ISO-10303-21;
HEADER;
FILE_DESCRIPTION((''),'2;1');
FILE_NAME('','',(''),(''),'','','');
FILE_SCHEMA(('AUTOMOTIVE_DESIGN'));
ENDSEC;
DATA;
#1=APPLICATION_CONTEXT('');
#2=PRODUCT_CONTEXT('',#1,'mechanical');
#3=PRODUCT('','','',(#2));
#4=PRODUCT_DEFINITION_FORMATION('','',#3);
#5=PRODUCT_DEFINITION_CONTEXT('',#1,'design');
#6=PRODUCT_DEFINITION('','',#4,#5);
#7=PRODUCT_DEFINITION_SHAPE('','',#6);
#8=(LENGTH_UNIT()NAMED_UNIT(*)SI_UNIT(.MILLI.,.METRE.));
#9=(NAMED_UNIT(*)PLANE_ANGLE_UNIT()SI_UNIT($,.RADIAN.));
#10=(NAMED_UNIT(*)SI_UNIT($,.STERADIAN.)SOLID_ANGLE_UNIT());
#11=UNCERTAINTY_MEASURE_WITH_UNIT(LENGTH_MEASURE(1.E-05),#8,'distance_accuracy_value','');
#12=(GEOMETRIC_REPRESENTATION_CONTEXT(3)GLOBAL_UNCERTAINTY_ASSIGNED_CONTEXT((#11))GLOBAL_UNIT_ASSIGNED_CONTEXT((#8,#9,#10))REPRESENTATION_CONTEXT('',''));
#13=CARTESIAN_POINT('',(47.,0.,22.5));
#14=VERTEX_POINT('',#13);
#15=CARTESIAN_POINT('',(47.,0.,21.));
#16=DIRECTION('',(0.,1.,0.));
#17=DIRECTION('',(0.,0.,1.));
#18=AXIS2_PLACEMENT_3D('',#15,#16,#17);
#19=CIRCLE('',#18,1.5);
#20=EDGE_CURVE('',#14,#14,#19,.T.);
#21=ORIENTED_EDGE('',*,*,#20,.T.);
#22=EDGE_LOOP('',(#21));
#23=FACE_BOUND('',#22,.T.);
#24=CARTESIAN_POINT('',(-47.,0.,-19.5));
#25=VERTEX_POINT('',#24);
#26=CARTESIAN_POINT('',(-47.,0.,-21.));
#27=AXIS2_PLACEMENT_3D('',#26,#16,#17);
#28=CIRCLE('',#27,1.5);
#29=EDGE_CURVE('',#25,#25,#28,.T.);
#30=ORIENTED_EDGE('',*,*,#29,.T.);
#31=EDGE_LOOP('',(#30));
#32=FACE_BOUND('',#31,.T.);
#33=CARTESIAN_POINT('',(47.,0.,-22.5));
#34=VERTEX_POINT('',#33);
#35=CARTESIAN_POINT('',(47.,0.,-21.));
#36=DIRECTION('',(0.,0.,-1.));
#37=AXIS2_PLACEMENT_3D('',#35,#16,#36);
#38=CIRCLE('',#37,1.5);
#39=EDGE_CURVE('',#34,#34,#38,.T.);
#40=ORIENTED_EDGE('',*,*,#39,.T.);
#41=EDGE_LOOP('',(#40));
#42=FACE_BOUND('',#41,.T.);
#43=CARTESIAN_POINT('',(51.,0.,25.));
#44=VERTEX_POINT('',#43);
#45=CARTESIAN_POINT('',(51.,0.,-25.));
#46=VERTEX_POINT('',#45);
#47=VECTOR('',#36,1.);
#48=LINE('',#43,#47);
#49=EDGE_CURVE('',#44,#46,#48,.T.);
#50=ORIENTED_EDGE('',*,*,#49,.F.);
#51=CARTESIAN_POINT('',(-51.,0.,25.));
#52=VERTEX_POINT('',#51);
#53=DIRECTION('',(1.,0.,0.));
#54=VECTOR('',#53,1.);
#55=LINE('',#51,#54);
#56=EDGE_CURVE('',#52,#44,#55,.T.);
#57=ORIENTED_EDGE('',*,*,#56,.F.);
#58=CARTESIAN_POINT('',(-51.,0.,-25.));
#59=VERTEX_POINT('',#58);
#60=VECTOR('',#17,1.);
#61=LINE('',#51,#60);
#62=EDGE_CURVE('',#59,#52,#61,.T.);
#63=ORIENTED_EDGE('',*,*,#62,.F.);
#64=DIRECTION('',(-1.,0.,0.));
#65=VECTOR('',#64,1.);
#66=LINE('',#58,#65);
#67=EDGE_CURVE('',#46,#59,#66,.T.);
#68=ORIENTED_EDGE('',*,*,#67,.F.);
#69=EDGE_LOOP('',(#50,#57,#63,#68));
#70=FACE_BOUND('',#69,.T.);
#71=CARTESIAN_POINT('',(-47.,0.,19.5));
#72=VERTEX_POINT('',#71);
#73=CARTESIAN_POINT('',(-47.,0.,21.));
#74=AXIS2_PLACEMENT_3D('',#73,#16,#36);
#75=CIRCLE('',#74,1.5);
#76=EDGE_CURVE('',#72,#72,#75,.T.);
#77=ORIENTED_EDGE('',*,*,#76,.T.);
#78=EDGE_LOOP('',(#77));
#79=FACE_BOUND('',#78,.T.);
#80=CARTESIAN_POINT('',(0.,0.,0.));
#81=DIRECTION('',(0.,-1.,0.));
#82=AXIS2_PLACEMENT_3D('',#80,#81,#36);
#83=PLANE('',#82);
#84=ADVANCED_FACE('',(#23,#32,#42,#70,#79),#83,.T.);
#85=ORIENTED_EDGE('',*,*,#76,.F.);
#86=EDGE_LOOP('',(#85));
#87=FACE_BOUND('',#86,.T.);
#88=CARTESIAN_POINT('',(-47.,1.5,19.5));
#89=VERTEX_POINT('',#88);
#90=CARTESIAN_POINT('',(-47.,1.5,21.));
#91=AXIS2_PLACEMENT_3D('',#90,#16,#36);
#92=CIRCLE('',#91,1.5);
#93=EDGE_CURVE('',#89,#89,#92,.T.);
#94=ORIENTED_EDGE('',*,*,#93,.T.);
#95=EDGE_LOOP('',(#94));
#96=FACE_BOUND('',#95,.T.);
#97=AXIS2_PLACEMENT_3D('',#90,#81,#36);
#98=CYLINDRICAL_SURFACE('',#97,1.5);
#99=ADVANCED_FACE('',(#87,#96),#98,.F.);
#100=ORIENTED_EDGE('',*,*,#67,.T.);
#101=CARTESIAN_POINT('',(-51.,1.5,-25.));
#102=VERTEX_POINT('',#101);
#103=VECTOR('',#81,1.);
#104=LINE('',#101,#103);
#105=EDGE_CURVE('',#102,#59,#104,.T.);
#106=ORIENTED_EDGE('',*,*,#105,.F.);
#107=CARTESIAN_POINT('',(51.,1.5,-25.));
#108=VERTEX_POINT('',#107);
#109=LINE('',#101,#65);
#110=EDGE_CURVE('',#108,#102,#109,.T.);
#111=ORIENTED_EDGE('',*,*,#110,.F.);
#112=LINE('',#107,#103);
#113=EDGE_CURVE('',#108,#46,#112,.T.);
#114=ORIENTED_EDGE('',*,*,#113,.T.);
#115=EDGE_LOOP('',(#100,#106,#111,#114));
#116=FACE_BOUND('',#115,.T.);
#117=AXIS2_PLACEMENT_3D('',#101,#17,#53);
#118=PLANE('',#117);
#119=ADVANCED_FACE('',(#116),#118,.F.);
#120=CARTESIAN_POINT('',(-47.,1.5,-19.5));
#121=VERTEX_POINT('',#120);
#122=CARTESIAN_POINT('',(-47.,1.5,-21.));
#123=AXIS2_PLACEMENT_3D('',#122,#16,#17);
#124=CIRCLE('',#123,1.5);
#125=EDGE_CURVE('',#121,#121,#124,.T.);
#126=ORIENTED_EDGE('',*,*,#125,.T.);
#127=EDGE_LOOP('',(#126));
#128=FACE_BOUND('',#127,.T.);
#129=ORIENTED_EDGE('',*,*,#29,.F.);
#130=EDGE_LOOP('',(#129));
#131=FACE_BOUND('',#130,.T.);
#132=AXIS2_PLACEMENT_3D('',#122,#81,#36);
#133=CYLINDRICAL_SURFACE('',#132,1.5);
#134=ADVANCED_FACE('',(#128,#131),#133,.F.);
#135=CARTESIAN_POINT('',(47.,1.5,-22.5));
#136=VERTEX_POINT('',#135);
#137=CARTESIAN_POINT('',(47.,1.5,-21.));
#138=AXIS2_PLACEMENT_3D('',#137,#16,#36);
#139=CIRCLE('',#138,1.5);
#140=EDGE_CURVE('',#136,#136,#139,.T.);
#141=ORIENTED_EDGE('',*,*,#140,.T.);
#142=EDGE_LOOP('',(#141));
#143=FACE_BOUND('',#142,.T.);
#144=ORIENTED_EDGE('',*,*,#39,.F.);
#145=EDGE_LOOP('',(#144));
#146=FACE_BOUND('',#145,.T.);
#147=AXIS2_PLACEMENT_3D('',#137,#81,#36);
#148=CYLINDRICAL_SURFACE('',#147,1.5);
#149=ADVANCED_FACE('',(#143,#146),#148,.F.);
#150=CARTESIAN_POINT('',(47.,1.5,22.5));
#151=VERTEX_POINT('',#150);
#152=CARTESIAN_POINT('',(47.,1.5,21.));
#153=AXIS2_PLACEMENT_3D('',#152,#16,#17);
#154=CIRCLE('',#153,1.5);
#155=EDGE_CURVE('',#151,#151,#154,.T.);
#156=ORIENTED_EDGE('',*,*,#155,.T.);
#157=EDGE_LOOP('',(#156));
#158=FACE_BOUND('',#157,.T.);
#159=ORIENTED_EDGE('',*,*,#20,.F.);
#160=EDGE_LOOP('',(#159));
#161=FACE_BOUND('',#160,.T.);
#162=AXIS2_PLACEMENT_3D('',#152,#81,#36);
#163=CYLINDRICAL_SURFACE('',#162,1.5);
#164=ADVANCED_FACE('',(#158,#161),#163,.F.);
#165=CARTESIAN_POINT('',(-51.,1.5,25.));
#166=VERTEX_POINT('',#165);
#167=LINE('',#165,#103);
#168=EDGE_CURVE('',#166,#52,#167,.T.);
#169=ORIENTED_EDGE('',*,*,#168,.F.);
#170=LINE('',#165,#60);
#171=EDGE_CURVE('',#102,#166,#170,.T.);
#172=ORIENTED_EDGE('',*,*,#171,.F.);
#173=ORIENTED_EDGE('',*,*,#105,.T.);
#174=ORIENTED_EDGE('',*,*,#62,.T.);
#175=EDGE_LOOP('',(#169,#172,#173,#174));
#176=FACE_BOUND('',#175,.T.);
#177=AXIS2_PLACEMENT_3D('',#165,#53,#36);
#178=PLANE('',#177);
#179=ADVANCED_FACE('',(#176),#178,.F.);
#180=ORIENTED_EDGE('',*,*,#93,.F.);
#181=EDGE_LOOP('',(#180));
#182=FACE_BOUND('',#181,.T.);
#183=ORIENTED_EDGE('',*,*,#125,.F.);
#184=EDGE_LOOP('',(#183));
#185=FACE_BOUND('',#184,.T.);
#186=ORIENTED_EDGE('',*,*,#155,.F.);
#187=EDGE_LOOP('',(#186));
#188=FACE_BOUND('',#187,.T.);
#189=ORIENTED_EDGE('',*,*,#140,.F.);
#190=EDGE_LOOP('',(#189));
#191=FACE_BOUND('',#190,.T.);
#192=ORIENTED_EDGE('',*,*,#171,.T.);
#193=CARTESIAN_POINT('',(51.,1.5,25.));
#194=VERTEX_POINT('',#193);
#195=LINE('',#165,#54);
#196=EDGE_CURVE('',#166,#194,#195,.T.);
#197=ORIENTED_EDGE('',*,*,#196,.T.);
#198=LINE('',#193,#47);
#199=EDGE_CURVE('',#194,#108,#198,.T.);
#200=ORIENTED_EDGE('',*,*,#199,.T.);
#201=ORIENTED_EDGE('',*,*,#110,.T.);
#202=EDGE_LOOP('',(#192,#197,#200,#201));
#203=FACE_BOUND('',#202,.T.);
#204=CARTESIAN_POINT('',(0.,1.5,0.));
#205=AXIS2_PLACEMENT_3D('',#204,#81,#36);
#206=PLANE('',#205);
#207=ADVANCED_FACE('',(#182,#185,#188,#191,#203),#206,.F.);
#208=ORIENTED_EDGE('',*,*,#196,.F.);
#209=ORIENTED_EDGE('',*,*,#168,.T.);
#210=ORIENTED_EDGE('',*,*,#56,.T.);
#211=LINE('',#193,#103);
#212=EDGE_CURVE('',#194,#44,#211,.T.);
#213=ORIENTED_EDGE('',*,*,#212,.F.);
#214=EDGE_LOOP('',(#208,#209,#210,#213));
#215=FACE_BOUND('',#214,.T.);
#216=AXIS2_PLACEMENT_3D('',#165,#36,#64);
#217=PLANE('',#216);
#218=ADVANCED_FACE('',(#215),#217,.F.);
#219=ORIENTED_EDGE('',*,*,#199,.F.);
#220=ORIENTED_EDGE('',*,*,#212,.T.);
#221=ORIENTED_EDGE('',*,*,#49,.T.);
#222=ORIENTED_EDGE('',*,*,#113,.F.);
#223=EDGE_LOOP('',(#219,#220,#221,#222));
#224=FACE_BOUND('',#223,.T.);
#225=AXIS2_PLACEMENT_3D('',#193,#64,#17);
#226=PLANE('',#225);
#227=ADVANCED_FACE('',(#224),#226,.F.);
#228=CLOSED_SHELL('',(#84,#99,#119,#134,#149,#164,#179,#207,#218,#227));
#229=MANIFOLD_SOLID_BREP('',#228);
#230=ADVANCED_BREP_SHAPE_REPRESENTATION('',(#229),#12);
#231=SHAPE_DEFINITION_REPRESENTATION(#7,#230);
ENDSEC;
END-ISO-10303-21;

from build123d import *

# Parameters (mm, degrees)
SKETCH1_W           = 102
SKETCH1_H           = 50
SKETCH1_R           = 1.5
BOSS_EXTRUDE1_DEPTH = 1.5


with BuildPart() as part:
    # Sketch1 → Boss-Extrude1 (new body)
    with BuildSketch(Plane(origin=(0, 0, 0), x_dir=(1, 0, 0), z_dir=(0, 1, 0))):
        Rectangle(SKETCH1_W, SKETCH1_H)
        with Locations((-47, 21)):
            Circle(SKETCH1_R, mode=Mode.SUBTRACT)
        with Locations((47, 21)):
            Circle(SKETCH1_R, mode=Mode.SUBTRACT)
        with Locations((47, -21)):
            Circle(SKETCH1_R, mode=Mode.SUBTRACT)
        with Locations((-47, -21)):
            Circle(SKETCH1_R, mode=Mode.SUBTRACT)
    extrude(amount=BOSS_EXTRUDE1_DEPTH)


solid = part.part
